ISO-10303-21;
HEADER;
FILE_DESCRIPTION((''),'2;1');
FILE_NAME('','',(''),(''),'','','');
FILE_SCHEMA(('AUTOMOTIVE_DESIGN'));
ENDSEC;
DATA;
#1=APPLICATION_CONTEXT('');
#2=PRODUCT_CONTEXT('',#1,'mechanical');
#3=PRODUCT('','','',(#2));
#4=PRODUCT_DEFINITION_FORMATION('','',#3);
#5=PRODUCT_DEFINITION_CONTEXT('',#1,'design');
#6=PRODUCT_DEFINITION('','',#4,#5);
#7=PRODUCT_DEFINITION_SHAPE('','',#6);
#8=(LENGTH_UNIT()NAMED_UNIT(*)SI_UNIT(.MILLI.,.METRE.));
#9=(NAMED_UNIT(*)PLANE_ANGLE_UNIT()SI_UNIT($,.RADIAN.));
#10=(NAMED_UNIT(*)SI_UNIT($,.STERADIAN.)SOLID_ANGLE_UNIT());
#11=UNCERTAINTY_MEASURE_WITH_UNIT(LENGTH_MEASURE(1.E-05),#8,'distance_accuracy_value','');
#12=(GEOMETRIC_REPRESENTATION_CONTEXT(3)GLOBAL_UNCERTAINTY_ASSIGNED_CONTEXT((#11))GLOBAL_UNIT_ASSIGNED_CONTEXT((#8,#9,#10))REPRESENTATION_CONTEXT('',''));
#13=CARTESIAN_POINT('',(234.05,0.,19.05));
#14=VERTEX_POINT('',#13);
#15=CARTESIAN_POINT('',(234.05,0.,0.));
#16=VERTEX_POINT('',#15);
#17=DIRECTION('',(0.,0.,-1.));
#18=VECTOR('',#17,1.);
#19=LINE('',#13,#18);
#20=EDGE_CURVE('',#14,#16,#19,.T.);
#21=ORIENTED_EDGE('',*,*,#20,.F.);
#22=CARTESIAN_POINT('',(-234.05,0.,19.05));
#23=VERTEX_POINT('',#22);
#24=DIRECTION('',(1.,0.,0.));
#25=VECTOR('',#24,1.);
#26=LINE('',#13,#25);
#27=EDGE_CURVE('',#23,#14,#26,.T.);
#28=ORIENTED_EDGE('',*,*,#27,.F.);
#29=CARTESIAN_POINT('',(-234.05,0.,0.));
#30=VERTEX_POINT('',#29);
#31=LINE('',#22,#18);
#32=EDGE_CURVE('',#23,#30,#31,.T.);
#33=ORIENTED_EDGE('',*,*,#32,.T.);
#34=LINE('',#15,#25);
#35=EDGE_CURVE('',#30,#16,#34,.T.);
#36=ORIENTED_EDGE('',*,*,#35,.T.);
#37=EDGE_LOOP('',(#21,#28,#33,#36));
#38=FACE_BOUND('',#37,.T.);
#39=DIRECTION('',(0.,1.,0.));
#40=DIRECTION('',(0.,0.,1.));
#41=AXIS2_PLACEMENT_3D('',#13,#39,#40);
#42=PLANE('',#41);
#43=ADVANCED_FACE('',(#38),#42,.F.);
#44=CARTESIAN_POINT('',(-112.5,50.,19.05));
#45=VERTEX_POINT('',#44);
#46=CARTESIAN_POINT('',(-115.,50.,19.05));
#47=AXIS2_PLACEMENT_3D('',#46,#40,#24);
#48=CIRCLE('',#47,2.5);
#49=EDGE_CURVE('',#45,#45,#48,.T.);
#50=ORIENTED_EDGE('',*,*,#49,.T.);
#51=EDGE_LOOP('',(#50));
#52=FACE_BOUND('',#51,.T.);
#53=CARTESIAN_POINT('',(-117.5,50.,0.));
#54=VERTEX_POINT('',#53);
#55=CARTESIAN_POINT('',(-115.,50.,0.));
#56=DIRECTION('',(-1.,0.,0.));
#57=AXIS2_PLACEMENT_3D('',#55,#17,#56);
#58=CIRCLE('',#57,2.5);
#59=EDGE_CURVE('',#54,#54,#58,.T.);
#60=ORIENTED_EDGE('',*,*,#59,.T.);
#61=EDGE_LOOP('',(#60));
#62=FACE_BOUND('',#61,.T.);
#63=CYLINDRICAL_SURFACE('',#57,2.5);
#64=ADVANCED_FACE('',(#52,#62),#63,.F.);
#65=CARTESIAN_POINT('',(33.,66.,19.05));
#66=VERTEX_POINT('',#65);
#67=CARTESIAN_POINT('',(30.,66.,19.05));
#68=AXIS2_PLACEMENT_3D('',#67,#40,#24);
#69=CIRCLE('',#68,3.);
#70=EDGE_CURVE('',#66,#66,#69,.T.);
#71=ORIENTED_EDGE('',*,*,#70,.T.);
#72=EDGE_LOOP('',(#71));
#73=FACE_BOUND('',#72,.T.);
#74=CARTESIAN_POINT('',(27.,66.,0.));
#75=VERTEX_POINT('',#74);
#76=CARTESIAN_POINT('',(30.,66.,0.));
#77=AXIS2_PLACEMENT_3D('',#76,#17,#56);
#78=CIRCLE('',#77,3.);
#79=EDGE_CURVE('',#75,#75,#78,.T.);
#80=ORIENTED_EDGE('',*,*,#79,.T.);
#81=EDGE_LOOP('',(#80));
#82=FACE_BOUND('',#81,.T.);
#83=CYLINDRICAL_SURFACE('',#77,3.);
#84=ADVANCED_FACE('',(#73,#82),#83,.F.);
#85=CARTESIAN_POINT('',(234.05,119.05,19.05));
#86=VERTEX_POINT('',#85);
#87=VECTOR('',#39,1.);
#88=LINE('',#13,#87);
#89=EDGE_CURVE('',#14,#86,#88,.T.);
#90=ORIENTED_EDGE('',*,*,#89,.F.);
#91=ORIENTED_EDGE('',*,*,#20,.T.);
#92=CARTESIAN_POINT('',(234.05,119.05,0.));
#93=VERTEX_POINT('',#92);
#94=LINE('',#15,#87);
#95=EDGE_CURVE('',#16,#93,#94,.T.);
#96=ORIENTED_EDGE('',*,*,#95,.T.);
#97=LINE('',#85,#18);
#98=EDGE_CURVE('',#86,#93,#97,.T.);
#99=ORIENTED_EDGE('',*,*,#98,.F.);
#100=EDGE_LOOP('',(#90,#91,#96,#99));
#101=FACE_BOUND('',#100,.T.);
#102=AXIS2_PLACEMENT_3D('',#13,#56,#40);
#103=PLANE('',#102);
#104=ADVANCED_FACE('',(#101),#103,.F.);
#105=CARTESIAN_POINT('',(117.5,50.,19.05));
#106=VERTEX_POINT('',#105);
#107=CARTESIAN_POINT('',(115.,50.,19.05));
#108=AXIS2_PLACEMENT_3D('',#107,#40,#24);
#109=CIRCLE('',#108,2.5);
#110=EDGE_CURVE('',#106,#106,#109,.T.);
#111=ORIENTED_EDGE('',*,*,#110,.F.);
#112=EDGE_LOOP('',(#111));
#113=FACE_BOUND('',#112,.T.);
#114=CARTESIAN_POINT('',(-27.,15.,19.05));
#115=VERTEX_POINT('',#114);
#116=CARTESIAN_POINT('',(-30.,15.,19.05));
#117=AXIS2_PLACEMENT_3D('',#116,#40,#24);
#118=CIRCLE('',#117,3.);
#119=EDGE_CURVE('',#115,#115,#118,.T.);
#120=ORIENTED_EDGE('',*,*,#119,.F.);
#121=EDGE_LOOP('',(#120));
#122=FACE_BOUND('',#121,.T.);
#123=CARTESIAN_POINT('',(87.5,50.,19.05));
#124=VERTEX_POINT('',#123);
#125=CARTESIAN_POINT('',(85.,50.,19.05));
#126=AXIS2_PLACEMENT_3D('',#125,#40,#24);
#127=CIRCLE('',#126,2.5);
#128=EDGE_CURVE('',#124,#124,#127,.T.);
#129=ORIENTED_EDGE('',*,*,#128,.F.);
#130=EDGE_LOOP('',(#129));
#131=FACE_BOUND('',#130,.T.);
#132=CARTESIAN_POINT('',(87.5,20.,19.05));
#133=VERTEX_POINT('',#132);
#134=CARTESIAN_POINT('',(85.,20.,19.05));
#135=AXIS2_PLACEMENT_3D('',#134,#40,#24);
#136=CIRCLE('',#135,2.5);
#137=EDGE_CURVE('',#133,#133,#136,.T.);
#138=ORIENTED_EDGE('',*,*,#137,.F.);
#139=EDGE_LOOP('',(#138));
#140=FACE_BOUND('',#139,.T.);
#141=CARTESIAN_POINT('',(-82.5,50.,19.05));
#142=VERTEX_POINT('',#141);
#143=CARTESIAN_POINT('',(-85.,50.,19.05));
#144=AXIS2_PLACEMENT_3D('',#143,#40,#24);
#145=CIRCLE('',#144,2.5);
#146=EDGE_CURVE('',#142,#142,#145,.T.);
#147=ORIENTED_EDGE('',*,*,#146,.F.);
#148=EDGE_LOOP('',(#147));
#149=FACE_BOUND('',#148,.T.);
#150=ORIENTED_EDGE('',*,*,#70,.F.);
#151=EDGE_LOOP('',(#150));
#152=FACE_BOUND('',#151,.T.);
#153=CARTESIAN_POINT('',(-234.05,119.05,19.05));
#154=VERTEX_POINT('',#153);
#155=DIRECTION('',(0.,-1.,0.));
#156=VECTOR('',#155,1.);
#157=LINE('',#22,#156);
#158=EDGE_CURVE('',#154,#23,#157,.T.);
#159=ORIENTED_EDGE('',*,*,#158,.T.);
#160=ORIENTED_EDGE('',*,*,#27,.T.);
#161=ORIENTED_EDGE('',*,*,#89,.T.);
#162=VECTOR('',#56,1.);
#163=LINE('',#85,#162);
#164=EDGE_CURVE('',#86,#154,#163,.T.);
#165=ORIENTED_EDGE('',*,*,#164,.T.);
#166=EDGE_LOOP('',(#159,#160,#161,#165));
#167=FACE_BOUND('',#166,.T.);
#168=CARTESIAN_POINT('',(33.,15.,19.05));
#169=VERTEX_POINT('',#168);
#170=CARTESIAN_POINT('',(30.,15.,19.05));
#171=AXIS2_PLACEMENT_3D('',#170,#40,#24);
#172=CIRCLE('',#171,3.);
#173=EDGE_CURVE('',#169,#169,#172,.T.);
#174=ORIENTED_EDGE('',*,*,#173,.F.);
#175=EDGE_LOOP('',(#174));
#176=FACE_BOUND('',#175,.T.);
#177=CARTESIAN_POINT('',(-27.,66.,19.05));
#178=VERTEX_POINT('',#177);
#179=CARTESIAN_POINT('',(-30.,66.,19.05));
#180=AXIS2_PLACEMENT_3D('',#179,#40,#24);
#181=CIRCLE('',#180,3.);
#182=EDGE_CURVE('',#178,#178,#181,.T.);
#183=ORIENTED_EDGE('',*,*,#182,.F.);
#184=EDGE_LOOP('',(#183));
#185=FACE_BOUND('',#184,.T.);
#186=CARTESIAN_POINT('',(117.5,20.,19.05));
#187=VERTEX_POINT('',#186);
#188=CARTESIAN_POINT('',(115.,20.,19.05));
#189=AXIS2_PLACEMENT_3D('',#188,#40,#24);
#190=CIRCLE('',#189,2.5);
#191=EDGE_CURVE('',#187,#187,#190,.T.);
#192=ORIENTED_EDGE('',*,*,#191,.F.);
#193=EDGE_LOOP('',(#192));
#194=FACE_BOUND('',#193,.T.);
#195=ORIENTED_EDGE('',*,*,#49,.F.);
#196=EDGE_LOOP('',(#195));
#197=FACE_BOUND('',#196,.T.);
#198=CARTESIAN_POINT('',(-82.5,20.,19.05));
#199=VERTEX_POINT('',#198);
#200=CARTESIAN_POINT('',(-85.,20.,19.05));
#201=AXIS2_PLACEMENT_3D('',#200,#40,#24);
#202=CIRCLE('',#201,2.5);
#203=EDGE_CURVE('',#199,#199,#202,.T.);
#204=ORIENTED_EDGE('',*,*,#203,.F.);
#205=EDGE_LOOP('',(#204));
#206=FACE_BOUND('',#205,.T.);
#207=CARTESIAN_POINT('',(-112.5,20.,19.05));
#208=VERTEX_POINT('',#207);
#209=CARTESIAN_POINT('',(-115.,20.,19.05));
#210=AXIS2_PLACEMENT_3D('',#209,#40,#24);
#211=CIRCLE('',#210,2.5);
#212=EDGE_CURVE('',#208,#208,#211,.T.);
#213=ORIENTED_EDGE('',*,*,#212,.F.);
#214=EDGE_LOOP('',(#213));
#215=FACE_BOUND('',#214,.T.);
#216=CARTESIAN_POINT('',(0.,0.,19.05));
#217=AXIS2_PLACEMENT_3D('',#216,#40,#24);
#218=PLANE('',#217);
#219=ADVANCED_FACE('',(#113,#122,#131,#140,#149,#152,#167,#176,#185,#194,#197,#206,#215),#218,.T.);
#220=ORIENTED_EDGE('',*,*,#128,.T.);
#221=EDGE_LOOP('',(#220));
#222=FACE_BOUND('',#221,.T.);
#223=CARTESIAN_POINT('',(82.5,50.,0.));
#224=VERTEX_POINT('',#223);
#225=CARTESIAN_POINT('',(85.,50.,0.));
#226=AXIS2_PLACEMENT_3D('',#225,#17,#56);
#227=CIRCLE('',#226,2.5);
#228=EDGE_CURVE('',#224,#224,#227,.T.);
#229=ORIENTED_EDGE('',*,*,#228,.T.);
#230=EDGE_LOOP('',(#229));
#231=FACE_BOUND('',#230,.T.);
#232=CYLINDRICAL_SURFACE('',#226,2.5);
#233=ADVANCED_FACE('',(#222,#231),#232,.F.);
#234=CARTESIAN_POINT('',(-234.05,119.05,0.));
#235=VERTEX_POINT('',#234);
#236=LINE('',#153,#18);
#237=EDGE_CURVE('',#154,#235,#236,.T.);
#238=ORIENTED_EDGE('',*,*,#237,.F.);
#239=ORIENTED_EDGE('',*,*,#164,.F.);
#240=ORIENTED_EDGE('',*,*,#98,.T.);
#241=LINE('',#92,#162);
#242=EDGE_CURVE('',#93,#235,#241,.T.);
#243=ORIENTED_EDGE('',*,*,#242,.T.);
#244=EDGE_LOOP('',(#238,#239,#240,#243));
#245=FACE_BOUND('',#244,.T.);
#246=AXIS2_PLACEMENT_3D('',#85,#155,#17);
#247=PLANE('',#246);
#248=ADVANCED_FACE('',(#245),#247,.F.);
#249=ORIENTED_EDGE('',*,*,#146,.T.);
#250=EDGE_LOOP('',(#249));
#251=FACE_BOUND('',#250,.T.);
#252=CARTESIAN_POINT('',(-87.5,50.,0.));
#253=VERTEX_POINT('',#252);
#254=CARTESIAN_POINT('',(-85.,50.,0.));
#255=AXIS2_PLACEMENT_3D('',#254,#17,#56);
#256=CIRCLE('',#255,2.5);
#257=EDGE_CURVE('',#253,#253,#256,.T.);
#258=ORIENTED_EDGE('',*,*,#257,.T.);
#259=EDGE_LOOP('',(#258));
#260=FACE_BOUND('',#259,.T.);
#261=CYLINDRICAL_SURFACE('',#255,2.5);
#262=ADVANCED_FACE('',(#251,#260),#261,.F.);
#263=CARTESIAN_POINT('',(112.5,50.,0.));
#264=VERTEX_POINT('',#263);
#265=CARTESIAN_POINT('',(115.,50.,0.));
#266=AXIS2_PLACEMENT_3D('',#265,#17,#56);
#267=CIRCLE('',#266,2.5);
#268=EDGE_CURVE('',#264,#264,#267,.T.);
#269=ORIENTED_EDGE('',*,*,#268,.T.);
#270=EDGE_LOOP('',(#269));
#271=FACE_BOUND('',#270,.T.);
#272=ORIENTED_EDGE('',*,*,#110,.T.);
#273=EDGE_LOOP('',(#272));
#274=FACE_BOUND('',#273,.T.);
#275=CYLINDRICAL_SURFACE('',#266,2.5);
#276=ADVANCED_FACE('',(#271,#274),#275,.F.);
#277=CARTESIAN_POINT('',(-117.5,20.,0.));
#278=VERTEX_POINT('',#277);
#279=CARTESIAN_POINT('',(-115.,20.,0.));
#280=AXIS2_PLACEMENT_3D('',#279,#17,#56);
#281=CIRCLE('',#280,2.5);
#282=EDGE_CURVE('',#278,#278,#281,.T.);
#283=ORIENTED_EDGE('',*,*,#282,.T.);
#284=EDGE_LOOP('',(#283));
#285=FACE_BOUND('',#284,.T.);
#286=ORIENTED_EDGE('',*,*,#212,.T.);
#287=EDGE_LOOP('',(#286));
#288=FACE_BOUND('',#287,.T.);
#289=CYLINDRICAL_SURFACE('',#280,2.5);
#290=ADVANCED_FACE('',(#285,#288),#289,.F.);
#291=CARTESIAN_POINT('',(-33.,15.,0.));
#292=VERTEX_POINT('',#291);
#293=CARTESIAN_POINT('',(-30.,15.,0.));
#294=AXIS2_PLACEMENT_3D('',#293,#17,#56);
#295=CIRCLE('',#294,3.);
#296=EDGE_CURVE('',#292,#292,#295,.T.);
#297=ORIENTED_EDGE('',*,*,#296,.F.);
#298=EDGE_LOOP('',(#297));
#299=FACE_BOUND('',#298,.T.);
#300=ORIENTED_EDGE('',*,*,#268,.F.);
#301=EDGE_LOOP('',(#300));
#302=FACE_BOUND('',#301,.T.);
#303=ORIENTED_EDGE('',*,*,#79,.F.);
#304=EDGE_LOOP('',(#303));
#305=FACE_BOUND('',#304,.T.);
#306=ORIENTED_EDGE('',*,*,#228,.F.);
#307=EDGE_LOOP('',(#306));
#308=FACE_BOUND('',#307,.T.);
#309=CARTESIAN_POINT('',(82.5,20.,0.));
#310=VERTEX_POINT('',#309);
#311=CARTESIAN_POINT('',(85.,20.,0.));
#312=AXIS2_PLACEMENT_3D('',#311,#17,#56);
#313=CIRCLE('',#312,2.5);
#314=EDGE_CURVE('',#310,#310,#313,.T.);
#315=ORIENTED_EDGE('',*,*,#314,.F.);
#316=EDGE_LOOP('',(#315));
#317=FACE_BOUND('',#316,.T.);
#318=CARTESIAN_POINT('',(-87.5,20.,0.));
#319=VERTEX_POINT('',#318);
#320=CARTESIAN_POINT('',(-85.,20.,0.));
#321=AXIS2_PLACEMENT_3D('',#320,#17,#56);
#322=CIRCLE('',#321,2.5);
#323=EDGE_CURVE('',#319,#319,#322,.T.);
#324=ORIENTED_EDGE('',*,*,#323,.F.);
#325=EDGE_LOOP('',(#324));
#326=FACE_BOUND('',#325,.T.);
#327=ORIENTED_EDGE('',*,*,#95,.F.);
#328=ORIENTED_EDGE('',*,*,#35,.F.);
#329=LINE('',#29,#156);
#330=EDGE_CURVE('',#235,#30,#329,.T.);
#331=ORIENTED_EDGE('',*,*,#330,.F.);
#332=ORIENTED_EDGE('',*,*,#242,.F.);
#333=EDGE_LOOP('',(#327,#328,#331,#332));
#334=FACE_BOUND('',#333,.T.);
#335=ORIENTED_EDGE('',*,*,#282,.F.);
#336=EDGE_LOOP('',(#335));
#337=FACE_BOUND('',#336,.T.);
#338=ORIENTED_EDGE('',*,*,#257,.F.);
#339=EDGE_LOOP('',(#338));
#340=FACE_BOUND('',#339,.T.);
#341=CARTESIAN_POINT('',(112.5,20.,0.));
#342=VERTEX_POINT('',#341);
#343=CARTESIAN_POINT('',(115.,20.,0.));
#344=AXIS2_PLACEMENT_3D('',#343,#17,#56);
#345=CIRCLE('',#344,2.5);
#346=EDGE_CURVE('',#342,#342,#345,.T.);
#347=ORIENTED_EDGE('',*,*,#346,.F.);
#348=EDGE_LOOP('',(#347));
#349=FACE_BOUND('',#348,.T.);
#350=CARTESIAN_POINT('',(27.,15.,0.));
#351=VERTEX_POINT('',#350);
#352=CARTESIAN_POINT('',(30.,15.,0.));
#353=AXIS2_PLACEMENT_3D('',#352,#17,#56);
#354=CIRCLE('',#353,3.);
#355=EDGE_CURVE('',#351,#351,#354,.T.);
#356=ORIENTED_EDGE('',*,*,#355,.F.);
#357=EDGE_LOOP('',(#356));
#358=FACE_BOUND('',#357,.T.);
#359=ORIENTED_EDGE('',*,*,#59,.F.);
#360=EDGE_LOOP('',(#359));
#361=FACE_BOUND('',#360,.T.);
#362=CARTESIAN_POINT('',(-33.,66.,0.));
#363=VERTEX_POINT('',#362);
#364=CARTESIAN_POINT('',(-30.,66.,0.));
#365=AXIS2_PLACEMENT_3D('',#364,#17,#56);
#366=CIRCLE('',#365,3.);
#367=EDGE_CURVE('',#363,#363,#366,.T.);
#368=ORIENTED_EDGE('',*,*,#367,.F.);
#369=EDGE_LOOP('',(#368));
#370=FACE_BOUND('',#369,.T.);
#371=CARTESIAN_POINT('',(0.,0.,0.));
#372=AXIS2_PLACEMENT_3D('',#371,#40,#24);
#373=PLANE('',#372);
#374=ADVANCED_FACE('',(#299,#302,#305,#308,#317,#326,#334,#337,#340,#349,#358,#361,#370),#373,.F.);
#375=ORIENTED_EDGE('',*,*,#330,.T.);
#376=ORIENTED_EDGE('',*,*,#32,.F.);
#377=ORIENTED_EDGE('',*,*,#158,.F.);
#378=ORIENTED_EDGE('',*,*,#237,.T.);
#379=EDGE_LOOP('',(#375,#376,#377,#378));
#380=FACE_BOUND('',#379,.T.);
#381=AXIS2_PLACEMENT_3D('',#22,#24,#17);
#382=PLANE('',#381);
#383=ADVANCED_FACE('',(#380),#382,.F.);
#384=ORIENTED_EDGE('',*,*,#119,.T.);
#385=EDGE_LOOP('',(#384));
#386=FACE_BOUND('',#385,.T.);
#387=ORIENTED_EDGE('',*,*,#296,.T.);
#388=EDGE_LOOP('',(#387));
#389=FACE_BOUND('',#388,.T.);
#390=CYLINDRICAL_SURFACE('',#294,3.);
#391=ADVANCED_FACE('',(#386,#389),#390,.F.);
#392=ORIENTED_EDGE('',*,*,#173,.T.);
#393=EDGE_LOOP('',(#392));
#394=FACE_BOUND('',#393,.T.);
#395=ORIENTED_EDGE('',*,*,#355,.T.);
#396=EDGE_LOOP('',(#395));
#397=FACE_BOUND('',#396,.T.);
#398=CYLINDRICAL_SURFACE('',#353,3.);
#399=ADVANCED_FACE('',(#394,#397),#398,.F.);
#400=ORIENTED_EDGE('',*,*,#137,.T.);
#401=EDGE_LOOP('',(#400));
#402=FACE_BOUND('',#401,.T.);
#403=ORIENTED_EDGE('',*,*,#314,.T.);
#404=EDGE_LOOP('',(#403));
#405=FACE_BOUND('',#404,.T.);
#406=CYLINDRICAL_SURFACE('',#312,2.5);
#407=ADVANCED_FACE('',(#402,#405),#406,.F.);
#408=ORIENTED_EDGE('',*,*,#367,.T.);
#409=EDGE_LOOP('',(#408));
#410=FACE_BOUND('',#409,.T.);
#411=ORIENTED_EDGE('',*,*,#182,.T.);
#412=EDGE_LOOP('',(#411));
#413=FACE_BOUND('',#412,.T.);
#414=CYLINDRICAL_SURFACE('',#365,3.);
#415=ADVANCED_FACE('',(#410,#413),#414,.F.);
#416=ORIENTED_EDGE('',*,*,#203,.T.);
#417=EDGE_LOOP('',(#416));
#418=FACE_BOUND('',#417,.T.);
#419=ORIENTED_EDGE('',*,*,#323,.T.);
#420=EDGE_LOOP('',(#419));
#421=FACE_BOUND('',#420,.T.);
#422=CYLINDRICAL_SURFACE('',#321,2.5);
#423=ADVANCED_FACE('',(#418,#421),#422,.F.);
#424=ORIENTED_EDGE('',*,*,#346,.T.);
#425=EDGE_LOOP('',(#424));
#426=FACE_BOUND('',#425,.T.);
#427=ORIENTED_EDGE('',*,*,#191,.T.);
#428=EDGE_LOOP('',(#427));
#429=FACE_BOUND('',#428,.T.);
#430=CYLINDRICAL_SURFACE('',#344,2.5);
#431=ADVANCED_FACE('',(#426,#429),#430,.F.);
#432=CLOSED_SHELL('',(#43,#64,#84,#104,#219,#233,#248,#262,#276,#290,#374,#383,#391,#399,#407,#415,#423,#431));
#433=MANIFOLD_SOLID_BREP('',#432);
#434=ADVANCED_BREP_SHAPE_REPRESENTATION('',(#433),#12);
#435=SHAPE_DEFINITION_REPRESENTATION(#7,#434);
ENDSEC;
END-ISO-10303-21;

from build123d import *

# Parameters (mm, degrees)
SKETCH1_W                = 468.1
SKETCH1_H                = 119.05
BOSS_EXTRUDE1_DEPTH      = 19.05
M5_CLEARANCE_HOLE1_D     = 5
M5_CLEARANCE_HOLE1_DEPTH = 28.497848452
M5_CLEARANCE_HOLE1_TIP   = 1.502151548
M5_CLEARANCE_HOLE2_D     = 6
M5_CLEARANCE_HOLE2_DEPTH = 28.197418143
M5_CLEARANCE_HOLE2_TIP   = 1.802581857


with BuildPart() as part:
    # Sketch1 → Boss-Extrude1 (new body)
    with BuildSketch(Plane.XY):
        with Locations((0, 59.525)):
            Rectangle(SKETCH1_W, SKETCH1_H)
    extrude(amount=BOSS_EXTRUDE1_DEPTH)

    # M5 Clearance Hole1
    with Locations(Plane(origin=(0, 0, 0), x_dir=(-1, 0, 0), z_dir=(0, 0, -1))):
        with Locations((-115, 20), (-115, 50), (-85, 50), (-85, 20), (85, 20), (85, 50), (115, 50), (115, 20)):
            Hole(M5_CLEARANCE_HOLE1_D / 2, depth=M5_CLEARANCE_HOLE1_DEPTH)
            with Locations((0, 0, -(M5_CLEARANCE_HOLE1_DEPTH + M5_CLEARANCE_HOLE1_TIP / 2))):  # 118° drill point
                Cone(0, M5_CLEARANCE_HOLE1_D / 2, M5_CLEARANCE_HOLE1_TIP, mode=Mode.SUBTRACT)

    # M5 Clearance Hole2
    with Locations(Plane(origin=(0, 0, 0), x_dir=(-1, 0, 0), z_dir=(0, 0, -1))):
        with Locations((30, 15), (30, 66), (-30, 15), (-30, 66)):
            Hole(M5_CLEARANCE_HOLE2_D / 2, depth=M5_CLEARANCE_HOLE2_DEPTH)
            with Locations((0, 0, -(M5_CLEARANCE_HOLE2_DEPTH + M5_CLEARANCE_HOLE2_TIP / 2))):  # 118° drill point
                Cone(0, M5_CLEARANCE_HOLE2_D / 2, M5_CLEARANCE_HOLE2_TIP, mode=Mode.SUBTRACT)


solid = part.part
